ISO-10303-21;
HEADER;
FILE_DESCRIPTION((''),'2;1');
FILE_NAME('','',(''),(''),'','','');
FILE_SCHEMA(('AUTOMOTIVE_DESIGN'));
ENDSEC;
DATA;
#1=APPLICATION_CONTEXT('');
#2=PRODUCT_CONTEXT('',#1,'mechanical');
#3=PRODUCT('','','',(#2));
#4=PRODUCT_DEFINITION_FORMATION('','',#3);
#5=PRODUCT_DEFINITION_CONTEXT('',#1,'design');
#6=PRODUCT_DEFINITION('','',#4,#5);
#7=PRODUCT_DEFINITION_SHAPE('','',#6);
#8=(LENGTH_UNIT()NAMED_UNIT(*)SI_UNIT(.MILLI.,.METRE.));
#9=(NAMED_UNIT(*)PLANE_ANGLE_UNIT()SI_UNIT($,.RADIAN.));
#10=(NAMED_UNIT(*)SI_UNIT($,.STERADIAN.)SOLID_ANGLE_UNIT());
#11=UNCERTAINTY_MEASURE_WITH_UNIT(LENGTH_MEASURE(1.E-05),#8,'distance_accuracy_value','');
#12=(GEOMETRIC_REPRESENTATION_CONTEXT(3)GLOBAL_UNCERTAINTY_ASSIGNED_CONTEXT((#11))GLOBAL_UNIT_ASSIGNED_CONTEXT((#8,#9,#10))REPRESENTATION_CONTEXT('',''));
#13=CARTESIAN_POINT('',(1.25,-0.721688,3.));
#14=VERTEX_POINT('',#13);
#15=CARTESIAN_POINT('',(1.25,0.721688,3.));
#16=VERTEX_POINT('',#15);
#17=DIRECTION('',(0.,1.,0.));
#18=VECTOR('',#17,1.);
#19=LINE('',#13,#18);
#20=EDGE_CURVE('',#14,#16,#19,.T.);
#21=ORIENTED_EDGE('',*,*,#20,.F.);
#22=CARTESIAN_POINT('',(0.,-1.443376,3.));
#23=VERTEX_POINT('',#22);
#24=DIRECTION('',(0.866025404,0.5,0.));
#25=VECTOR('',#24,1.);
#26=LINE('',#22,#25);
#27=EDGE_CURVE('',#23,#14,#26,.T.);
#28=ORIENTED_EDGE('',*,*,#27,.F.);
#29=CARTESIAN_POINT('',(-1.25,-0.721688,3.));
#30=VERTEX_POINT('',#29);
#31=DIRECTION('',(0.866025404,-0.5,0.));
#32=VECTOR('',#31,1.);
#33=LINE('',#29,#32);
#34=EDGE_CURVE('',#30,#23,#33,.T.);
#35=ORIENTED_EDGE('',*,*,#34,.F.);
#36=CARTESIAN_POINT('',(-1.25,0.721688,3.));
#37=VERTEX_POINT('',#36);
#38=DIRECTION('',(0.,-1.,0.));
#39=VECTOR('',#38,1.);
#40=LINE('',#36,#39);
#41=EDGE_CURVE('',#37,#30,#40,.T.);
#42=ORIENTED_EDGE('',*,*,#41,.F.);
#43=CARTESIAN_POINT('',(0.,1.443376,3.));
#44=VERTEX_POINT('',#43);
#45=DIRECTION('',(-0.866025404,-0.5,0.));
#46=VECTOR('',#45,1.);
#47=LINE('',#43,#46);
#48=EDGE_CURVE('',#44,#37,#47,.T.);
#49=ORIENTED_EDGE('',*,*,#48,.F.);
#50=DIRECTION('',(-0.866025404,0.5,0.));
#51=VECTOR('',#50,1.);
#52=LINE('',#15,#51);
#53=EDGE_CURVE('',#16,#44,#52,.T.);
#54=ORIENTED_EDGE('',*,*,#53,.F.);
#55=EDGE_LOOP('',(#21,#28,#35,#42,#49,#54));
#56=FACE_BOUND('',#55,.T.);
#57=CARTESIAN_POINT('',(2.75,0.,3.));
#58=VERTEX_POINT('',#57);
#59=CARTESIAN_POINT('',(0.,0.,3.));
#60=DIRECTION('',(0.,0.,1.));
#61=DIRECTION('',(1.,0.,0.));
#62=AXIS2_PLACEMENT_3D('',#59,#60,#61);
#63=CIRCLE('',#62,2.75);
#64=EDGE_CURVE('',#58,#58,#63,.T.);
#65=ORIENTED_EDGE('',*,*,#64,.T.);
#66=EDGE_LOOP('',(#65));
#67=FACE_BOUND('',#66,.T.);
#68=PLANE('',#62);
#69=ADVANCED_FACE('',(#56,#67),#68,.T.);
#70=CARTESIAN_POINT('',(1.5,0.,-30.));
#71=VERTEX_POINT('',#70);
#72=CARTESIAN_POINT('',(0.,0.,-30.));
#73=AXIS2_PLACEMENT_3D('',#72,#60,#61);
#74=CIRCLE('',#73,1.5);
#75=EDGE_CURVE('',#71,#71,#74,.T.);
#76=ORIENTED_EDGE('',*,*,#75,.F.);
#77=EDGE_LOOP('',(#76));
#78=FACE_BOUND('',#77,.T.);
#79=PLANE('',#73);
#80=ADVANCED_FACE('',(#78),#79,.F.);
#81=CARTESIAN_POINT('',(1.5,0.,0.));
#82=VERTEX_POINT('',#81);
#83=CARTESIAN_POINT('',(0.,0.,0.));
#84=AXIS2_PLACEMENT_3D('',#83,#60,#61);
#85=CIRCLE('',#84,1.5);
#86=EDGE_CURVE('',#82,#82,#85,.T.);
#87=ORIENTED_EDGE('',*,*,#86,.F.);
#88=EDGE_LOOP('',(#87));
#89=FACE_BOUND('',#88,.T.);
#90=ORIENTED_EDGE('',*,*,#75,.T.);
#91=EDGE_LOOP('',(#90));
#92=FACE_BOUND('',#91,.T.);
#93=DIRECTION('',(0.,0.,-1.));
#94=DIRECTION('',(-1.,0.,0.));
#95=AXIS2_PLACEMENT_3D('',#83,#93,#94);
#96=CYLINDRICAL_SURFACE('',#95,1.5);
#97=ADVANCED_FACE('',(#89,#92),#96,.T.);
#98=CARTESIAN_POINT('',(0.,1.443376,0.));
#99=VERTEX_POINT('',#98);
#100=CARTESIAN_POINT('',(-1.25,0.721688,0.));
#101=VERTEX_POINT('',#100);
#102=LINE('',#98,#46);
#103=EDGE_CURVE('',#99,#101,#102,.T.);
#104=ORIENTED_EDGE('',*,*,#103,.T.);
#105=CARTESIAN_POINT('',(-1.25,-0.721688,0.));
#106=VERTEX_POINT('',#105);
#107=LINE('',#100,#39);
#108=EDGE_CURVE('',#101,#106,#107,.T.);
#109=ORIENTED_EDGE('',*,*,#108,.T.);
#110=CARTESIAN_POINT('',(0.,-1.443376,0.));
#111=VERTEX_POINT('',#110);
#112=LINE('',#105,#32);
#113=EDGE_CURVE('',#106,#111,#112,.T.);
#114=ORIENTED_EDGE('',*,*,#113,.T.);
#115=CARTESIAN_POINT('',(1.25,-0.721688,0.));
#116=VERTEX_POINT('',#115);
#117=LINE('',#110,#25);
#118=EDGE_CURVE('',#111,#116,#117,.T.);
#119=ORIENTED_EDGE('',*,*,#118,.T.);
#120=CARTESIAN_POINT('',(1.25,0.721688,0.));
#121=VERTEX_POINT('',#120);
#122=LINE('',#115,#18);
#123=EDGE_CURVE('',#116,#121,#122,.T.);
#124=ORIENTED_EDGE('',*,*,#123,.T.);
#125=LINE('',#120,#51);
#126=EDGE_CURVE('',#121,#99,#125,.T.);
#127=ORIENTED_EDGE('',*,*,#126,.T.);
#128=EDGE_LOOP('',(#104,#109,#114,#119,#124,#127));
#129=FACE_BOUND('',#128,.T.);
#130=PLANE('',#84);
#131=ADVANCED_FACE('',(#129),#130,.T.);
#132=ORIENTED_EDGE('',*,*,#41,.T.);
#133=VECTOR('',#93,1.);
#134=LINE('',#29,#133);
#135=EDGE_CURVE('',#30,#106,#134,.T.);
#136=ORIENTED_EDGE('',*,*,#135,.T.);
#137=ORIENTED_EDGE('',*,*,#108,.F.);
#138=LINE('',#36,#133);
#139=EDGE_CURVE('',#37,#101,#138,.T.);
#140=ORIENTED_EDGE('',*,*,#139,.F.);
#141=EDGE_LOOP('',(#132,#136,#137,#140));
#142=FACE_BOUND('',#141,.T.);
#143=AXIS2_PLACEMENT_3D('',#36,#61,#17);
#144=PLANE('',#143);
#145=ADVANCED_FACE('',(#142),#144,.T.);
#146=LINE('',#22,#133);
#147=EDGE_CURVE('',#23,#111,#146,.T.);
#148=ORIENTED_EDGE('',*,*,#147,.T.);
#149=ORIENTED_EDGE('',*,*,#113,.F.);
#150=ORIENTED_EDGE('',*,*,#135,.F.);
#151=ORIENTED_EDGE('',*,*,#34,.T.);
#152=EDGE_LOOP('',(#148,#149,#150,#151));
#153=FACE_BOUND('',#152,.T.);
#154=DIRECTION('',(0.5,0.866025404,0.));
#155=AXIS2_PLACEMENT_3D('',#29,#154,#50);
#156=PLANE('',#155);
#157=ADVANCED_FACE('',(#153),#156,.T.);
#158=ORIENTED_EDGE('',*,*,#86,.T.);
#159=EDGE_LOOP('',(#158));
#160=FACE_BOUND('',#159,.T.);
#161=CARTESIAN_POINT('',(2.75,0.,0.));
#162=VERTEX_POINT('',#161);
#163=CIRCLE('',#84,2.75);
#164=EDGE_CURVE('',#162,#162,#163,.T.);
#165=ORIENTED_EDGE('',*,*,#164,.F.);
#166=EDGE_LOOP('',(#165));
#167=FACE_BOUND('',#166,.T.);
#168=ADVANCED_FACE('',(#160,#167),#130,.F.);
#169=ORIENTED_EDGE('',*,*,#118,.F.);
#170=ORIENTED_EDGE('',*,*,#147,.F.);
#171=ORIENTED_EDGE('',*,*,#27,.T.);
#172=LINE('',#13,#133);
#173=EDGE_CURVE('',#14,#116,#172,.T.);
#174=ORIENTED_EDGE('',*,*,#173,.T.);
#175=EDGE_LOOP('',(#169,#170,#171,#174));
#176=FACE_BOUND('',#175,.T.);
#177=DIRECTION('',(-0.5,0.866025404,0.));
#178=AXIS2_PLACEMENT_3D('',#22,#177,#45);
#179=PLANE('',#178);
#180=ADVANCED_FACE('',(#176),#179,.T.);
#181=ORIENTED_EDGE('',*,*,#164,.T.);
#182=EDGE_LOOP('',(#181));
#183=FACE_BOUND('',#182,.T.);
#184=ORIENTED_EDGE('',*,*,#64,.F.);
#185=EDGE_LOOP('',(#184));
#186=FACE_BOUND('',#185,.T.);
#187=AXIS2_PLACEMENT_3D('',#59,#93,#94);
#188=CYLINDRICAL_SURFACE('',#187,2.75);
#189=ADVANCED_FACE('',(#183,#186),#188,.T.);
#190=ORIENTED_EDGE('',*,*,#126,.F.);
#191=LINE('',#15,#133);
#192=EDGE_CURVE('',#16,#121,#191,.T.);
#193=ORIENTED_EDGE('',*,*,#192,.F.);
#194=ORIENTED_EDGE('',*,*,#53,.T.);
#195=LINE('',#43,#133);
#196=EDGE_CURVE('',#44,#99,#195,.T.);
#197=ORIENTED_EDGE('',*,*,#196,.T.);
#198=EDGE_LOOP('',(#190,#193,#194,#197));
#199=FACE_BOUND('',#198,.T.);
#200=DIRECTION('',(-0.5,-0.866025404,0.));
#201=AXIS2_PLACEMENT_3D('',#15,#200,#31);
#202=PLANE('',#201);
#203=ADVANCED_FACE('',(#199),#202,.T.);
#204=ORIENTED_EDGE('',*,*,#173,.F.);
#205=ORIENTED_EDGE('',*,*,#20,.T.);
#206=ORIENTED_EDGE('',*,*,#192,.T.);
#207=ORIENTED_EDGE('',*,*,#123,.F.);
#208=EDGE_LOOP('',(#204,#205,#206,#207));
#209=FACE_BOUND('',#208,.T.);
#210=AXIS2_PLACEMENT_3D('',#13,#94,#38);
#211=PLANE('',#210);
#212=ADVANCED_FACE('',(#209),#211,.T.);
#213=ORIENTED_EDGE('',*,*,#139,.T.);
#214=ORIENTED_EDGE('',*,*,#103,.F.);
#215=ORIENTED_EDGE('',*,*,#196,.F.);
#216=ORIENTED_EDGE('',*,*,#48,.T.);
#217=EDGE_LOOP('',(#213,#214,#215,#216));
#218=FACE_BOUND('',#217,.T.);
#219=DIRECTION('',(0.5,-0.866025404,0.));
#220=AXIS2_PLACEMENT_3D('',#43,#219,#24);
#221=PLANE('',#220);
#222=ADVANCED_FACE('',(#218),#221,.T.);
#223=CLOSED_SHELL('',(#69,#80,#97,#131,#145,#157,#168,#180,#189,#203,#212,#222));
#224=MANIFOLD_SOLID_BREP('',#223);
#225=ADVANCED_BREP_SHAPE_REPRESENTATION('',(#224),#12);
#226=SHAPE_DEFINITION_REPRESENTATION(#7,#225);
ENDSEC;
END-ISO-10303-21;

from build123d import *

# Parameters (mm, degrees)
THREAD_ENVELOPE_START = -30
PROFILE_1_R           = 1.5
THREAD_ENVELOPE_DEPTH = 30
PROFILE_2_R           = 2.75
SOCKET_HEAD_DEPTH     = 3


with BuildPart() as part:
    # Profile_1 → Thread_envelope (new body)
    with BuildSketch(Plane.XY.offset(THREAD_ENVELOPE_START)):
        Circle(PROFILE_1_R)
    extrude(amount=THREAD_ENVELOPE_DEPTH)

    # Profile_2 → Socket_head (add)
    with BuildSketch(Plane.XY):
        Circle(PROFILE_2_R)
        Polygon((1.25, 0.721687836), (0, 1.443375673), (-1.25, 0.721687836), (-1.25, -0.721687836), (0, -1.443375673), (1.25, -0.721687836), align=None, mode=Mode.SUBTRACT)
    extrude(amount=SOCKET_HEAD_DEPTH)


solid = part.part
